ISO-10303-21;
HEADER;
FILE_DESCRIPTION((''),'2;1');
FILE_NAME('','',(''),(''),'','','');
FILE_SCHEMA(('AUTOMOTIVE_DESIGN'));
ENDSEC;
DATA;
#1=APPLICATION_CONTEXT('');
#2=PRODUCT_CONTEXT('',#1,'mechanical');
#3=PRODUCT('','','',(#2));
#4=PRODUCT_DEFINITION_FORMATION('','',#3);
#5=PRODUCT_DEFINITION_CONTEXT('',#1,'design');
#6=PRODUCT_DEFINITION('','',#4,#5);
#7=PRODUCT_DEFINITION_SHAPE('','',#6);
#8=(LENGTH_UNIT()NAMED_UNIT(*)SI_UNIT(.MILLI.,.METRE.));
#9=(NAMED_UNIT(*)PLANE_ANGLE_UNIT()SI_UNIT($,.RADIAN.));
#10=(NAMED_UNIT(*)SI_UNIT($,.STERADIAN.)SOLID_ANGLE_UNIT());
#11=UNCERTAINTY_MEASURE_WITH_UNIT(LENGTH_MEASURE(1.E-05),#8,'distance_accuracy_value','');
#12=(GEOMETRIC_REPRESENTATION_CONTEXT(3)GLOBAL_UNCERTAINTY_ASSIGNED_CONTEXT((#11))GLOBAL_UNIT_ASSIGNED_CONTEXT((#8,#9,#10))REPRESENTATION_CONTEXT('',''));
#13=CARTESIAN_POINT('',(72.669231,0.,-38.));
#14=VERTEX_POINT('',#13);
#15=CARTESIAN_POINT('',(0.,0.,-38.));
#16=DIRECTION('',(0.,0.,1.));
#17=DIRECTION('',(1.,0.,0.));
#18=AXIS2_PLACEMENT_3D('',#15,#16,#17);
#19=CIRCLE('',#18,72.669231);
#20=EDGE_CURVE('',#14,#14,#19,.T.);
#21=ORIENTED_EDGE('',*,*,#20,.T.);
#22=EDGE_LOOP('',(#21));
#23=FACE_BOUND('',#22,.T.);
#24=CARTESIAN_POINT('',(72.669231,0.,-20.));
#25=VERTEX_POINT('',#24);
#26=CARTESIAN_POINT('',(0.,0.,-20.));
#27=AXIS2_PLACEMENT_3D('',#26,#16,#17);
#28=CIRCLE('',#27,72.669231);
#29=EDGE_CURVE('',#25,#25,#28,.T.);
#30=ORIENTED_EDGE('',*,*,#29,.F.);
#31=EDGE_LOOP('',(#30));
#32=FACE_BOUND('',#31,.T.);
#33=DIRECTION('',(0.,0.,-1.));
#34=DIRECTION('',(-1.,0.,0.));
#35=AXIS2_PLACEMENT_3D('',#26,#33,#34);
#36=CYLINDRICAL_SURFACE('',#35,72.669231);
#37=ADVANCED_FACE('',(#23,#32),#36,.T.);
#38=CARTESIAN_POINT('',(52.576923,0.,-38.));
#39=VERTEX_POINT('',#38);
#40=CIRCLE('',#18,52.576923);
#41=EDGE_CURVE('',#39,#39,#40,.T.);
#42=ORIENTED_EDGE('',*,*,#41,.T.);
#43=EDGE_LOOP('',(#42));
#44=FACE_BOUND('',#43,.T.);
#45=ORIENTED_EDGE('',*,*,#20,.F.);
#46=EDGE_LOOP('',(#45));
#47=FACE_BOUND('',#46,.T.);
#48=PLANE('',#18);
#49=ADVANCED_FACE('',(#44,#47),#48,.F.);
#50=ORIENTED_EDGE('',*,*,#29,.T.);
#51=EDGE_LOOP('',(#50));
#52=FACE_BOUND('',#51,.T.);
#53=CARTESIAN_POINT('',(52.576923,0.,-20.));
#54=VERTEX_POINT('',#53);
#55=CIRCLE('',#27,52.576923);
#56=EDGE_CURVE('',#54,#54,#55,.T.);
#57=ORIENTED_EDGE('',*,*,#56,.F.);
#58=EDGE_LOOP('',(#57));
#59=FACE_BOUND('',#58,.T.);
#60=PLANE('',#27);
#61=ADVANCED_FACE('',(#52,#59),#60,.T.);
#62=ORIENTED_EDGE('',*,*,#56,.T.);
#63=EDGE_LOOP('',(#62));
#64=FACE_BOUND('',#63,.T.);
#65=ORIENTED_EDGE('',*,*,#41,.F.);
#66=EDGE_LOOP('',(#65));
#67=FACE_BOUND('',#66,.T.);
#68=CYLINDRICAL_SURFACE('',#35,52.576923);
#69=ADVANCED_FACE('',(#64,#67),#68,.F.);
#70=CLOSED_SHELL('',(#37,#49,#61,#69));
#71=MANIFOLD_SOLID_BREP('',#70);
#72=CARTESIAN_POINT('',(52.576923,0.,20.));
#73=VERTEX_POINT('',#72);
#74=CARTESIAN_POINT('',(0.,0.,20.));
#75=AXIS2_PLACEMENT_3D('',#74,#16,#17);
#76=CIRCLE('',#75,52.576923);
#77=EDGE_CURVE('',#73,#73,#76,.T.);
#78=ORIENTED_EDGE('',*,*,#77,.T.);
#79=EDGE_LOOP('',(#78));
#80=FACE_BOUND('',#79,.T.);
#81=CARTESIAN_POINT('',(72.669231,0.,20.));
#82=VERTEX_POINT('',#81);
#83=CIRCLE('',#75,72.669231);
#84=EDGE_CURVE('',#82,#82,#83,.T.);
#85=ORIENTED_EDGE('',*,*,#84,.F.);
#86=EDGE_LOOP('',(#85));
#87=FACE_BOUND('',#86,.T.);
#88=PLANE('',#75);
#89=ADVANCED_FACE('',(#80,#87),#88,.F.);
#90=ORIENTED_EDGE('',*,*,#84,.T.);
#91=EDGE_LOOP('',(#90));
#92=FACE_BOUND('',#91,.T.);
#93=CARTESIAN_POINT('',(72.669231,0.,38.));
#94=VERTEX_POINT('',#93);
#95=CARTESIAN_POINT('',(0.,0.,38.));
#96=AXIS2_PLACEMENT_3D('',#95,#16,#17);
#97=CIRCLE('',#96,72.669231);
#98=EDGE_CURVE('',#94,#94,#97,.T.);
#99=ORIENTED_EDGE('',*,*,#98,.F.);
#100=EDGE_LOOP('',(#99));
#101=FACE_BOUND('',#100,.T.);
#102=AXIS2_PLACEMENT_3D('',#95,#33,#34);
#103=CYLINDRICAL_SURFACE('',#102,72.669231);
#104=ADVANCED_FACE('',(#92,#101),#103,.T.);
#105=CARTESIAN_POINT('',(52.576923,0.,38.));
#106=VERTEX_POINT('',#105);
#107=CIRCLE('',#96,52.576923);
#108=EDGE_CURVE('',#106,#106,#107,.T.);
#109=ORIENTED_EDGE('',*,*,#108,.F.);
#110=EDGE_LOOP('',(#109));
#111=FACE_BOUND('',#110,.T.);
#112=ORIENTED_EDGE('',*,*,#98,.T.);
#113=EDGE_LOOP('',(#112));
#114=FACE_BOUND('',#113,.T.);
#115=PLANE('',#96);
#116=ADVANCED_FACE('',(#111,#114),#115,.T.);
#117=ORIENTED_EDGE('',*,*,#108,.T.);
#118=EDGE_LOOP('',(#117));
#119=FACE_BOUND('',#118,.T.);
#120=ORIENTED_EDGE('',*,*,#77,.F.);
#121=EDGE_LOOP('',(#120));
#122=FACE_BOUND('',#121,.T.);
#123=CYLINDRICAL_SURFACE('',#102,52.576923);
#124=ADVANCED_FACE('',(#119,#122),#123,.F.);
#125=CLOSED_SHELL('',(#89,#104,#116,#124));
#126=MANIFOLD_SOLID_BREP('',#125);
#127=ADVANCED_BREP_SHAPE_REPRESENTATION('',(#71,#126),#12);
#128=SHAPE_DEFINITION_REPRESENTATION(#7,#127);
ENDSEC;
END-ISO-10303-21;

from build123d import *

# Parameters (mm, degrees)
ENDTURN_R_START = 20
SKETCH_1_R      = 72.669230769
SKETCH_1_R_2    = 52.576923077
ENDTURN_R_DEPTH = 18
ENDTURN_L_START = -38
SKETCH_2_R      = 72.669230769
SKETCH_2_R_2    = 52.576923077
ENDTURN_L_DEPTH = 18


with BuildPart() as part:
    # Эскиз1 → Endturn_R (new body)
    with BuildSketch(Plane.XY.offset(ENDTURN_R_START)):
        Circle(SKETCH_1_R)
        Circle(SKETCH_1_R_2, mode=Mode.SUBTRACT)
    extrude(amount=ENDTURN_R_DEPTH)


with BuildPart() as body_2:
    # Эскиз2 → Endturn_L (new body)
    with BuildSketch(Plane.XY.offset(ENDTURN_L_START)):
        Circle(SKETCH_2_R)
        Circle(SKETCH_2_R_2, mode=Mode.SUBTRACT)
    extrude(amount=ENDTURN_L_DEPTH)


solid = Compound([part.part, body_2.part])
